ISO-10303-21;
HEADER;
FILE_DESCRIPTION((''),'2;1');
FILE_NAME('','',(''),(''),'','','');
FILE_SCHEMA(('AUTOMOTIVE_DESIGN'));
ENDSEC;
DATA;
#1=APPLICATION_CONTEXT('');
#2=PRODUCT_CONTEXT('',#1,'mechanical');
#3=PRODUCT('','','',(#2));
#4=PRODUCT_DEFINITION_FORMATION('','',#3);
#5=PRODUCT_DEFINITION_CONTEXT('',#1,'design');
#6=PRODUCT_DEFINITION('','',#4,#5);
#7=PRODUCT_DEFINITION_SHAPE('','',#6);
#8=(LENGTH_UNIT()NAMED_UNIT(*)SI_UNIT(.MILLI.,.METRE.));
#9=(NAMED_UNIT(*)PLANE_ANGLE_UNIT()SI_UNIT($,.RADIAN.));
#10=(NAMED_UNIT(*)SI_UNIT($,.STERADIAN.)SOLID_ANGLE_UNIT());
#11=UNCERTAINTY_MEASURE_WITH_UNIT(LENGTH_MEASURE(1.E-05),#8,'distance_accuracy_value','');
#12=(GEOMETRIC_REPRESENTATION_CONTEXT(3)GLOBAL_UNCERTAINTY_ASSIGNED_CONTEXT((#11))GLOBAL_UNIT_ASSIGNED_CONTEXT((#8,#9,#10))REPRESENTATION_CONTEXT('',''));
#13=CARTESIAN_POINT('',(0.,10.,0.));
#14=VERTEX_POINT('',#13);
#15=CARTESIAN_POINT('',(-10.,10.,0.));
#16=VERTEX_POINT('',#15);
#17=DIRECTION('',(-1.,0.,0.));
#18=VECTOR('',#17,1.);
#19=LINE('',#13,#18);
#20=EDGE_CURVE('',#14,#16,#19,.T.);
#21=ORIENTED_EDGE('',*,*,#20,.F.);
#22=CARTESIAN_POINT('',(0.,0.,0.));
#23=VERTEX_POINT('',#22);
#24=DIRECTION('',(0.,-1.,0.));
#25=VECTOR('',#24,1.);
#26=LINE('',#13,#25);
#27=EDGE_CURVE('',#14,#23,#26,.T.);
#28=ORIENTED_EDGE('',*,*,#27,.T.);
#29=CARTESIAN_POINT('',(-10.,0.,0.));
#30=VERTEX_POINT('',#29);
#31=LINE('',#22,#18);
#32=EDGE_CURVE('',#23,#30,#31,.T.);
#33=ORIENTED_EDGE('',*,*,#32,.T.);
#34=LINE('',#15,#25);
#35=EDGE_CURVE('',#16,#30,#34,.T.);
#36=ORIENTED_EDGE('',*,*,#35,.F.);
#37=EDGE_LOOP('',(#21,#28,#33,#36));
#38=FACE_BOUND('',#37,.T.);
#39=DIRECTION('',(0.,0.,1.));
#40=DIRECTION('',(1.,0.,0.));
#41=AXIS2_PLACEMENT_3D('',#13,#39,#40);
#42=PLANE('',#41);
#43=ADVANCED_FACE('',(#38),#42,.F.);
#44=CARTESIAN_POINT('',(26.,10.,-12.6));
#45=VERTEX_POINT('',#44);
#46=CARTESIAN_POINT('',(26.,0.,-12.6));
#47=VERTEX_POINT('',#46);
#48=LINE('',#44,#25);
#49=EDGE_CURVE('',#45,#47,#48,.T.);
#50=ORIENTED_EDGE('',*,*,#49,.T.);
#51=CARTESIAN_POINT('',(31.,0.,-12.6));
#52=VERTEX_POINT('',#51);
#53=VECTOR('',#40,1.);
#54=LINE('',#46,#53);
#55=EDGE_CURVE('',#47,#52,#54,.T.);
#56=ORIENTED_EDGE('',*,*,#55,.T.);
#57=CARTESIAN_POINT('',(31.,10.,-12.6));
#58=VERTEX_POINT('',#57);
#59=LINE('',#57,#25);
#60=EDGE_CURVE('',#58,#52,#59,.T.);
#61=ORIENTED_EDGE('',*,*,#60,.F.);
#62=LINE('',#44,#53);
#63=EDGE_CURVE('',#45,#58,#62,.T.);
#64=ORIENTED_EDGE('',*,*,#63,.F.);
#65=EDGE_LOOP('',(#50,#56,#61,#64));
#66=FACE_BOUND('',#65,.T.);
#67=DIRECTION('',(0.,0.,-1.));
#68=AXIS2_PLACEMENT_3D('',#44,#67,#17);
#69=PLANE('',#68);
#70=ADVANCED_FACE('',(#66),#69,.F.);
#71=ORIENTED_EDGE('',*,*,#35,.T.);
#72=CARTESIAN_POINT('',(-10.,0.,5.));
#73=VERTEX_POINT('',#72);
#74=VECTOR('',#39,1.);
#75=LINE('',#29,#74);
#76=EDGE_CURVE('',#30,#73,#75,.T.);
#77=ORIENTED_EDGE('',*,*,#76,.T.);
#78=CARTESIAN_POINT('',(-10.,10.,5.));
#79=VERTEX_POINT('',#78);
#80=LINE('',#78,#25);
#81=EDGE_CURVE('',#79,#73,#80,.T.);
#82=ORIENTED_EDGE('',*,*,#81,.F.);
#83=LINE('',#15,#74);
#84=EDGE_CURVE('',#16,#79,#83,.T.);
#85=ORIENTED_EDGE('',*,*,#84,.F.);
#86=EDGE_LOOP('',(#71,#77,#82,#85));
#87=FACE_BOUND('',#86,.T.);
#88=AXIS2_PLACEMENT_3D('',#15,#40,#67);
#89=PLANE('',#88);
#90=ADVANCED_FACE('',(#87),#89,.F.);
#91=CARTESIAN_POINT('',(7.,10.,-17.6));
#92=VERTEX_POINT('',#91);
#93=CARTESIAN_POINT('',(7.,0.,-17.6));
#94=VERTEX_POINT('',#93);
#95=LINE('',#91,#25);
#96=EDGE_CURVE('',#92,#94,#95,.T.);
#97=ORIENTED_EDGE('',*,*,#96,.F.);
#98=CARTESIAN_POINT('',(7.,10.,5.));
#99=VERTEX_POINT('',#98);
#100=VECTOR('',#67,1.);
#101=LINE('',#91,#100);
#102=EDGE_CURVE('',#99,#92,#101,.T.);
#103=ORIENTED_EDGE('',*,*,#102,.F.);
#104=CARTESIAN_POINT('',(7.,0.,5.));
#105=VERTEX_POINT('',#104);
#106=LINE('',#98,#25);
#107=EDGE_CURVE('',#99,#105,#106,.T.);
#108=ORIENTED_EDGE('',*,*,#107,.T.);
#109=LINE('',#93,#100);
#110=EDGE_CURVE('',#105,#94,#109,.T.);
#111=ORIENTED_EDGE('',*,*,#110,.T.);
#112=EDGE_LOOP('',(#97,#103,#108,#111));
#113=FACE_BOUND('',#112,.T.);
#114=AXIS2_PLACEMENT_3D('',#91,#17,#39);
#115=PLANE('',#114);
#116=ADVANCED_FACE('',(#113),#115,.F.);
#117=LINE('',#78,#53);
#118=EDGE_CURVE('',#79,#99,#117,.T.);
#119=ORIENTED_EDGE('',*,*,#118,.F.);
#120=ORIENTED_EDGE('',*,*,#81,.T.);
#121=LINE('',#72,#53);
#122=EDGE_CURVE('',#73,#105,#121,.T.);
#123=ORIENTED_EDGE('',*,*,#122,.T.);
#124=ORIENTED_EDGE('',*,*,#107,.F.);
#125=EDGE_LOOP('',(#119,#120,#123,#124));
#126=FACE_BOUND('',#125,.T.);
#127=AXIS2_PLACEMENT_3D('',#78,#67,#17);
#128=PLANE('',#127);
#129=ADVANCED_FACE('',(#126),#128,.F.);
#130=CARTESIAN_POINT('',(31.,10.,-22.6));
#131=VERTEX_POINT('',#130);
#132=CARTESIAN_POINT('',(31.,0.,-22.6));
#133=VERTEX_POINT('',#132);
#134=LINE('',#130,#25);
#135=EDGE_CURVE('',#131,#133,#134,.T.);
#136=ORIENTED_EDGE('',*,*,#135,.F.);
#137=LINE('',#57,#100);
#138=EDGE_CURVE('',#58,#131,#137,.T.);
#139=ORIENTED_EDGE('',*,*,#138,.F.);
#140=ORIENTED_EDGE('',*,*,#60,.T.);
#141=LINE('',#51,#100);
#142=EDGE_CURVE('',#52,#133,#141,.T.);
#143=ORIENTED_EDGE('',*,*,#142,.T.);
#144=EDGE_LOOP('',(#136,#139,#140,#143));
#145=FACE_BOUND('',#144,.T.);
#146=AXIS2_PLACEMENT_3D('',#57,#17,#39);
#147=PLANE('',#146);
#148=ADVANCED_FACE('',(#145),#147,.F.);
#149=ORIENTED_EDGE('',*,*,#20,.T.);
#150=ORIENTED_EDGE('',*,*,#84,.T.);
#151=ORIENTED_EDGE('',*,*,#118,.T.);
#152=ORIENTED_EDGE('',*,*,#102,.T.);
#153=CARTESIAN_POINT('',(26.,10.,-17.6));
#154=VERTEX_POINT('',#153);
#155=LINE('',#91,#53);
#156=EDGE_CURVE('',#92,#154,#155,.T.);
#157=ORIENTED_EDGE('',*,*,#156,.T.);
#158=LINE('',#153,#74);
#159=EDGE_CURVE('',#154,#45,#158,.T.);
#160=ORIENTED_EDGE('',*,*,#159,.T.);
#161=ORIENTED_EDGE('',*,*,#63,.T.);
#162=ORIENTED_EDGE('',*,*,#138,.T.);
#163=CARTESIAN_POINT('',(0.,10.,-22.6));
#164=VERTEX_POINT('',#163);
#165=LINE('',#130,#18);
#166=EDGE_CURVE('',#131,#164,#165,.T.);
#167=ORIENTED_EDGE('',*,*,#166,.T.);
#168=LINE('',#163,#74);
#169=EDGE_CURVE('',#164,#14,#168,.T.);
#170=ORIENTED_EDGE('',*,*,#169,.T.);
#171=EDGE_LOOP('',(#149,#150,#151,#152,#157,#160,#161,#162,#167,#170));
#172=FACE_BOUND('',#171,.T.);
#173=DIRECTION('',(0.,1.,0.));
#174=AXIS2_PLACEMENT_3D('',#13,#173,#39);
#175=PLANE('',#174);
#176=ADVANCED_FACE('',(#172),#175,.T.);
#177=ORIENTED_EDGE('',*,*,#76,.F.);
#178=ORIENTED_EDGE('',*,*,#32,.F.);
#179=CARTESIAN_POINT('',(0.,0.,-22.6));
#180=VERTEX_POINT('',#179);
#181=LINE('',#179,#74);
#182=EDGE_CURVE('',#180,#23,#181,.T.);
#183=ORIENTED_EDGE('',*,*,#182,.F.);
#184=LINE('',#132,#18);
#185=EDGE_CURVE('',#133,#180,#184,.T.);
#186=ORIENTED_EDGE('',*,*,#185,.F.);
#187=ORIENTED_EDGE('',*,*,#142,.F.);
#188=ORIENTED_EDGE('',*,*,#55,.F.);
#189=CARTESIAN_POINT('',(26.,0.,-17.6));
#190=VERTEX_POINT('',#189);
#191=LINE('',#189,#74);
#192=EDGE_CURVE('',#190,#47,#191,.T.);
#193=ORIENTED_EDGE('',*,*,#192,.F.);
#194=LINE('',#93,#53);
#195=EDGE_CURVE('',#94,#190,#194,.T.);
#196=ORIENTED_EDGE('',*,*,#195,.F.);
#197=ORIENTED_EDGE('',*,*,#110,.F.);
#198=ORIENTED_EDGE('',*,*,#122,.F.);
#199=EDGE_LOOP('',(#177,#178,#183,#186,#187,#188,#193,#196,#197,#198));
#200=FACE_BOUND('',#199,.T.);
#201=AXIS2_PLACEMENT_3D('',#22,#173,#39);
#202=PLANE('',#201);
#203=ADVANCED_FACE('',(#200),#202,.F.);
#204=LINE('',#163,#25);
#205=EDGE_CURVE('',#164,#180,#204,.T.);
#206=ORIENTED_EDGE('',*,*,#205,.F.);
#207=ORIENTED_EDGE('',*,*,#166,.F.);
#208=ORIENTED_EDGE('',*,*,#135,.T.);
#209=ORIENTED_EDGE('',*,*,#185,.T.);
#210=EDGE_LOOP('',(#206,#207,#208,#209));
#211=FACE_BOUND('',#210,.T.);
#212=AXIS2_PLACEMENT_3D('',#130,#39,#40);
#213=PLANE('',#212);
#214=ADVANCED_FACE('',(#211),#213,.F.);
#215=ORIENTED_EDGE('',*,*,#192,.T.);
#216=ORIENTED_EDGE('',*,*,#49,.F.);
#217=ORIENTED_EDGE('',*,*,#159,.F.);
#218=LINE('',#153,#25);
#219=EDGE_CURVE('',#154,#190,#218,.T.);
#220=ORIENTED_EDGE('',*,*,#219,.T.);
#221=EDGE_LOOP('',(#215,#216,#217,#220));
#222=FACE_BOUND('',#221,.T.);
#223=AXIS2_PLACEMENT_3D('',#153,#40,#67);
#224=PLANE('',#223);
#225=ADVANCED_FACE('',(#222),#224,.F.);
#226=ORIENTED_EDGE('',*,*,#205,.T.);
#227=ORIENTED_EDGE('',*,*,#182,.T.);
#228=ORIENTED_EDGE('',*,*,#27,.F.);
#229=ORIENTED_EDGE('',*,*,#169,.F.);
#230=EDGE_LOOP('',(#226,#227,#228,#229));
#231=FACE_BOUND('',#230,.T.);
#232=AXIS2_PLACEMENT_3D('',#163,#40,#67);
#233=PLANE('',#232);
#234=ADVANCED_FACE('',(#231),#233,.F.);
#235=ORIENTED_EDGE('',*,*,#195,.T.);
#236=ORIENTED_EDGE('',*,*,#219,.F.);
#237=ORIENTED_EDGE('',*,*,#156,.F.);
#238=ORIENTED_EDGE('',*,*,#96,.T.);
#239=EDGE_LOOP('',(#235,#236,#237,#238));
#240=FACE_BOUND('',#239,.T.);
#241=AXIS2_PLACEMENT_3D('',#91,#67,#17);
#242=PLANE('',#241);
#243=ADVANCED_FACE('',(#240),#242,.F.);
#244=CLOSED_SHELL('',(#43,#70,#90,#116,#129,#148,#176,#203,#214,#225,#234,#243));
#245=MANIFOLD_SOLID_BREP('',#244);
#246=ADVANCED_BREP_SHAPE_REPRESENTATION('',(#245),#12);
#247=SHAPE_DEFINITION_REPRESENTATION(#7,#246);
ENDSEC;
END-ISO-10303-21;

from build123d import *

# Parameters (mm, degrees)
BOSS_EXTRUDE1_DEPTH = 10


with BuildPart() as part:
    # Sketch1 → Boss-Extrude1 (new body)
    with BuildSketch(Plane(origin=(0, 0, 0), x_dir=(1, 0, 0), z_dir=(0, 1, 0))):
        Polygon((7, 17.6), (26, 17.6), (26, 12.6), (31, 12.6), (31, 22.6), (0, 22.6), (0, 0), (-10, 0), (-10, -5), (7, -5), align=None)
    extrude(amount=BOSS_EXTRUDE1_DEPTH)


solid = part.part
